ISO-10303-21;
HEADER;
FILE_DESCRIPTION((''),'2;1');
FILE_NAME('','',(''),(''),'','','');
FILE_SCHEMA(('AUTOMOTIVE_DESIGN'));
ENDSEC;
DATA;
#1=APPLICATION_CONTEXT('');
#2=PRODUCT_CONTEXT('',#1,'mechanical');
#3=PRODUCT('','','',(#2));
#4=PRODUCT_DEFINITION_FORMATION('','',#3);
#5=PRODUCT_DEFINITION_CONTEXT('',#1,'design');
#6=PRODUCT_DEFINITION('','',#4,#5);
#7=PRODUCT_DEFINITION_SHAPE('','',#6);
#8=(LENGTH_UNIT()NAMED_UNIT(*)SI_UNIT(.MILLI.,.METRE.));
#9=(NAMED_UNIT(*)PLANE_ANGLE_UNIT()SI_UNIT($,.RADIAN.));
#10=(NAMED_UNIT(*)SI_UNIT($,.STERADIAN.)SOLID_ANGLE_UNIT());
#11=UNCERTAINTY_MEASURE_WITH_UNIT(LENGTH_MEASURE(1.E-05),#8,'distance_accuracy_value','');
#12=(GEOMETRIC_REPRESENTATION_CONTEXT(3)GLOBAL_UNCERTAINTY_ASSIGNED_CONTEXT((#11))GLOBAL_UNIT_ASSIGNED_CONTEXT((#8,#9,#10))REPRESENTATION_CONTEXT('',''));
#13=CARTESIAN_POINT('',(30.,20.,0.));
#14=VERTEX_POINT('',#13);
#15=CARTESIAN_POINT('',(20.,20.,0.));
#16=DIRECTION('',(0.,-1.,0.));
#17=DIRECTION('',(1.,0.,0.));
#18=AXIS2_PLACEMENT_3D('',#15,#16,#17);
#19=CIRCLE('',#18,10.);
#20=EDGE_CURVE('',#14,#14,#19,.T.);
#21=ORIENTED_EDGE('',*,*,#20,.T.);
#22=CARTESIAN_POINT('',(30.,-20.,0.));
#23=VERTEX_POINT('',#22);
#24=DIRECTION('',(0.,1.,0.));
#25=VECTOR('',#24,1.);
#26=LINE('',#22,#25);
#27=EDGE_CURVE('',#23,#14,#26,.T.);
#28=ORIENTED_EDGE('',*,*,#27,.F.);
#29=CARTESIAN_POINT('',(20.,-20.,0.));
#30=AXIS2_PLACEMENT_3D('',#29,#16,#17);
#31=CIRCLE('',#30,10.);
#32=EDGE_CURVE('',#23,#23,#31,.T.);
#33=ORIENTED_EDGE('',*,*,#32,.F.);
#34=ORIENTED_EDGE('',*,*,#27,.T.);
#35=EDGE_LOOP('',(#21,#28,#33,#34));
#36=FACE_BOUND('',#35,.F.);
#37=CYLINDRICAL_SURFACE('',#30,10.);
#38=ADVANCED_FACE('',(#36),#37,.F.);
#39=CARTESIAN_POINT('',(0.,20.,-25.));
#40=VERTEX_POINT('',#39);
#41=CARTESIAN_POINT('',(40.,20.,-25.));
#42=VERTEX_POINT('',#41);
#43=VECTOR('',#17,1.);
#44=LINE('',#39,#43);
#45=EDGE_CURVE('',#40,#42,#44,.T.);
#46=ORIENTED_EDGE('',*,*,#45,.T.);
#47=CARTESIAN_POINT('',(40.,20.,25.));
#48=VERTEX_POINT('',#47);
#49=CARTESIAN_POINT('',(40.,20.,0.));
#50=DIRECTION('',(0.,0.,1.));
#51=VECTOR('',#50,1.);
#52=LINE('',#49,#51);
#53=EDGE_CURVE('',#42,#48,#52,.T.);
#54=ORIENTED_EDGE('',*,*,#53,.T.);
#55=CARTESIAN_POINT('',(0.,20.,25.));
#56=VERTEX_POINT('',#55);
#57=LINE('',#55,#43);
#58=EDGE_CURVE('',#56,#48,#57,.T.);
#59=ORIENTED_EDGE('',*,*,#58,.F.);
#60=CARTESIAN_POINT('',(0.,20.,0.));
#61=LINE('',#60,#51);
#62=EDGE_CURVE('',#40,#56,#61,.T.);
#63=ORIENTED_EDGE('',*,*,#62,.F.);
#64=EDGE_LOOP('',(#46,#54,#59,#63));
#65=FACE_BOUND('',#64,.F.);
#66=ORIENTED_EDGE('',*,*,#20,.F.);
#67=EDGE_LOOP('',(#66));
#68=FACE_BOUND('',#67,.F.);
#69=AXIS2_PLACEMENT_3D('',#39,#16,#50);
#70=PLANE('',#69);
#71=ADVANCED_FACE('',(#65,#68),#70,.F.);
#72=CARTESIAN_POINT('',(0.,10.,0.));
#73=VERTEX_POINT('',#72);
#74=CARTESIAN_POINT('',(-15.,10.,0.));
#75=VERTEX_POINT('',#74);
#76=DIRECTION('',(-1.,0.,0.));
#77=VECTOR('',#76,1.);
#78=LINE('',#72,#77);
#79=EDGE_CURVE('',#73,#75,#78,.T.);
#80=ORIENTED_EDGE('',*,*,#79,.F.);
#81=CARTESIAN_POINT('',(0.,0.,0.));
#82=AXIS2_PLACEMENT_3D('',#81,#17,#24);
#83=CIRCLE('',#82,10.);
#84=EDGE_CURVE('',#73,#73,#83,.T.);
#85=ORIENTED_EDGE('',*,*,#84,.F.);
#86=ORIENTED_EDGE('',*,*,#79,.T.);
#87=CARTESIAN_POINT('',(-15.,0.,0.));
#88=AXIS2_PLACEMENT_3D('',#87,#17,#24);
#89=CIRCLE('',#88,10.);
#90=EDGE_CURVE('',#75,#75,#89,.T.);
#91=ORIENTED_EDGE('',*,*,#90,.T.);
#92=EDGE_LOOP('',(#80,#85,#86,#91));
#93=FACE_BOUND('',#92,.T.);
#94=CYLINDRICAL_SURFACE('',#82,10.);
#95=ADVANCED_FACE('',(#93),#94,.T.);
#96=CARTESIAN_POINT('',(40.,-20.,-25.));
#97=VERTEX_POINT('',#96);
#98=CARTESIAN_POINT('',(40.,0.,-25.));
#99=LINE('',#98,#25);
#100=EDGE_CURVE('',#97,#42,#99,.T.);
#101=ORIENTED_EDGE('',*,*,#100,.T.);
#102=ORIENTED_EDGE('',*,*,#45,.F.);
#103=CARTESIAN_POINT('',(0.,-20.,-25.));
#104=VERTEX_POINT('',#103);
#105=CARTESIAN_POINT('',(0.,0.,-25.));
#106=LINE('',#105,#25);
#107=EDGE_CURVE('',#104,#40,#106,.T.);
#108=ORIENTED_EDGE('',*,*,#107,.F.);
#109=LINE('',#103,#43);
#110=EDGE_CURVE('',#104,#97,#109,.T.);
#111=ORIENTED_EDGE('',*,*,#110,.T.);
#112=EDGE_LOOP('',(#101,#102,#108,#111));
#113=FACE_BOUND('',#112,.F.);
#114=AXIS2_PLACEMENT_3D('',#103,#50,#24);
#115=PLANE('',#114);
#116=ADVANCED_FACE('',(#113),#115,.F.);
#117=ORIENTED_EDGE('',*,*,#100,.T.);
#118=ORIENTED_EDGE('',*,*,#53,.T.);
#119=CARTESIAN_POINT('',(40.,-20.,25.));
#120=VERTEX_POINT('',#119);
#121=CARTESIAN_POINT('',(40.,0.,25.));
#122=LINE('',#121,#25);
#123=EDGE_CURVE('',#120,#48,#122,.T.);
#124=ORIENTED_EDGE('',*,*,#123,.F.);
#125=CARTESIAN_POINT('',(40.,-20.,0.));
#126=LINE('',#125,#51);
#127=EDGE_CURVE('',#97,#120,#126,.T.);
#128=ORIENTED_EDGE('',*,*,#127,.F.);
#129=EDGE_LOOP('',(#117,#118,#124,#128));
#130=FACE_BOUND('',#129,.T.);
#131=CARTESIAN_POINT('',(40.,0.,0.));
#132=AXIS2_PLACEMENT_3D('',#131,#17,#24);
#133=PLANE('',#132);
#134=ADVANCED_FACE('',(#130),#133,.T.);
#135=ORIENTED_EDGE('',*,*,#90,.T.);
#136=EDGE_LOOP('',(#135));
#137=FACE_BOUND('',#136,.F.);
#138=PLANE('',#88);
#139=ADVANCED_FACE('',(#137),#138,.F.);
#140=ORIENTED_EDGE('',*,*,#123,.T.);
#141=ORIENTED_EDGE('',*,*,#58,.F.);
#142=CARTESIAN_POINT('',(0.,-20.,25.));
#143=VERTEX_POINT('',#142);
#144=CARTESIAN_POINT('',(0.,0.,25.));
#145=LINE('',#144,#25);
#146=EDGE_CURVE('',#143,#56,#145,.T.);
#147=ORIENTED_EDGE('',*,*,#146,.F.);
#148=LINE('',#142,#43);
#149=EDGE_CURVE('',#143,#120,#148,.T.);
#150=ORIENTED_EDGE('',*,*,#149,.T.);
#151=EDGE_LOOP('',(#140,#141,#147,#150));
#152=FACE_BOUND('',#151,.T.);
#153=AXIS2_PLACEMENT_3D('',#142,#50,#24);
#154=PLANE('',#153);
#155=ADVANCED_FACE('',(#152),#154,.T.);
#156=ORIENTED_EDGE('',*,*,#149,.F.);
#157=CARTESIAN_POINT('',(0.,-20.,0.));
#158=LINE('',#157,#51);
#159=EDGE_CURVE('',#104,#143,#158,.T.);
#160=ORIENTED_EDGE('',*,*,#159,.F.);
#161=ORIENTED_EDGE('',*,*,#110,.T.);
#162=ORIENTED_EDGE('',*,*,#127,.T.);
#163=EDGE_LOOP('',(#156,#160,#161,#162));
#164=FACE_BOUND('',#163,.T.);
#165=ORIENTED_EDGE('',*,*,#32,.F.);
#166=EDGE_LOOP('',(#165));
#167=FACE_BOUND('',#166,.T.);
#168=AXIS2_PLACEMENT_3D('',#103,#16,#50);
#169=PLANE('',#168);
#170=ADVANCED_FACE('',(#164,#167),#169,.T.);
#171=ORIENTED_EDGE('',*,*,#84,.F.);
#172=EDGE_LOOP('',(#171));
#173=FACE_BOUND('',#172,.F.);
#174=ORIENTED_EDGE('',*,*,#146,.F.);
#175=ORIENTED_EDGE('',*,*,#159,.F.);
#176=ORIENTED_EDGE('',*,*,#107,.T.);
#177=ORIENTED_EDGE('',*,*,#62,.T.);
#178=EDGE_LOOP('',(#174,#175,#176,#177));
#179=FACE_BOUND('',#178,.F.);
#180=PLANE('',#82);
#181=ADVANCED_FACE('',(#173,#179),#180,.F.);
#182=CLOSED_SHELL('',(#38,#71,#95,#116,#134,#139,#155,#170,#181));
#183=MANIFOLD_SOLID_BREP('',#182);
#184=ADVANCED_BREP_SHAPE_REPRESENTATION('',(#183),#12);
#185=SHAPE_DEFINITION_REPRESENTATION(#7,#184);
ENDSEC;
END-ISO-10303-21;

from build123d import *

# Parameters (mm, degrees)
F0_R     = 10
F1_DEPTH = 15
F0_W     = 40
F0_H     = 50
F2_DEPTH = 40
F3_R     = 10
F4_DEPTH = 40.001


with BuildPart() as f1:
    # F0 (on Right) → F1 (new body)
    with BuildSketch(Plane.YZ):
        Circle(F0_R)
    extrude(amount=-F1_DEPTH)

    # F0 (on Right) → F2 (join)
    with BuildSketch(Plane.YZ):
        Rectangle(F0_W, F0_H)
        Circle(F0_R, mode=Mode.SUBTRACT)
        Circle(F0_R)
    extrude(amount=F2_DEPTH)

    # F3 (on face) → F4 (cut, through all)
    with BuildSketch(Plane.XZ.offset(20)):
        with Locations((20, 0)):
            Circle(F3_R)
    extrude(amount=-F4_DEPTH, mode=Mode.SUBTRACT)


solid = f1.part
